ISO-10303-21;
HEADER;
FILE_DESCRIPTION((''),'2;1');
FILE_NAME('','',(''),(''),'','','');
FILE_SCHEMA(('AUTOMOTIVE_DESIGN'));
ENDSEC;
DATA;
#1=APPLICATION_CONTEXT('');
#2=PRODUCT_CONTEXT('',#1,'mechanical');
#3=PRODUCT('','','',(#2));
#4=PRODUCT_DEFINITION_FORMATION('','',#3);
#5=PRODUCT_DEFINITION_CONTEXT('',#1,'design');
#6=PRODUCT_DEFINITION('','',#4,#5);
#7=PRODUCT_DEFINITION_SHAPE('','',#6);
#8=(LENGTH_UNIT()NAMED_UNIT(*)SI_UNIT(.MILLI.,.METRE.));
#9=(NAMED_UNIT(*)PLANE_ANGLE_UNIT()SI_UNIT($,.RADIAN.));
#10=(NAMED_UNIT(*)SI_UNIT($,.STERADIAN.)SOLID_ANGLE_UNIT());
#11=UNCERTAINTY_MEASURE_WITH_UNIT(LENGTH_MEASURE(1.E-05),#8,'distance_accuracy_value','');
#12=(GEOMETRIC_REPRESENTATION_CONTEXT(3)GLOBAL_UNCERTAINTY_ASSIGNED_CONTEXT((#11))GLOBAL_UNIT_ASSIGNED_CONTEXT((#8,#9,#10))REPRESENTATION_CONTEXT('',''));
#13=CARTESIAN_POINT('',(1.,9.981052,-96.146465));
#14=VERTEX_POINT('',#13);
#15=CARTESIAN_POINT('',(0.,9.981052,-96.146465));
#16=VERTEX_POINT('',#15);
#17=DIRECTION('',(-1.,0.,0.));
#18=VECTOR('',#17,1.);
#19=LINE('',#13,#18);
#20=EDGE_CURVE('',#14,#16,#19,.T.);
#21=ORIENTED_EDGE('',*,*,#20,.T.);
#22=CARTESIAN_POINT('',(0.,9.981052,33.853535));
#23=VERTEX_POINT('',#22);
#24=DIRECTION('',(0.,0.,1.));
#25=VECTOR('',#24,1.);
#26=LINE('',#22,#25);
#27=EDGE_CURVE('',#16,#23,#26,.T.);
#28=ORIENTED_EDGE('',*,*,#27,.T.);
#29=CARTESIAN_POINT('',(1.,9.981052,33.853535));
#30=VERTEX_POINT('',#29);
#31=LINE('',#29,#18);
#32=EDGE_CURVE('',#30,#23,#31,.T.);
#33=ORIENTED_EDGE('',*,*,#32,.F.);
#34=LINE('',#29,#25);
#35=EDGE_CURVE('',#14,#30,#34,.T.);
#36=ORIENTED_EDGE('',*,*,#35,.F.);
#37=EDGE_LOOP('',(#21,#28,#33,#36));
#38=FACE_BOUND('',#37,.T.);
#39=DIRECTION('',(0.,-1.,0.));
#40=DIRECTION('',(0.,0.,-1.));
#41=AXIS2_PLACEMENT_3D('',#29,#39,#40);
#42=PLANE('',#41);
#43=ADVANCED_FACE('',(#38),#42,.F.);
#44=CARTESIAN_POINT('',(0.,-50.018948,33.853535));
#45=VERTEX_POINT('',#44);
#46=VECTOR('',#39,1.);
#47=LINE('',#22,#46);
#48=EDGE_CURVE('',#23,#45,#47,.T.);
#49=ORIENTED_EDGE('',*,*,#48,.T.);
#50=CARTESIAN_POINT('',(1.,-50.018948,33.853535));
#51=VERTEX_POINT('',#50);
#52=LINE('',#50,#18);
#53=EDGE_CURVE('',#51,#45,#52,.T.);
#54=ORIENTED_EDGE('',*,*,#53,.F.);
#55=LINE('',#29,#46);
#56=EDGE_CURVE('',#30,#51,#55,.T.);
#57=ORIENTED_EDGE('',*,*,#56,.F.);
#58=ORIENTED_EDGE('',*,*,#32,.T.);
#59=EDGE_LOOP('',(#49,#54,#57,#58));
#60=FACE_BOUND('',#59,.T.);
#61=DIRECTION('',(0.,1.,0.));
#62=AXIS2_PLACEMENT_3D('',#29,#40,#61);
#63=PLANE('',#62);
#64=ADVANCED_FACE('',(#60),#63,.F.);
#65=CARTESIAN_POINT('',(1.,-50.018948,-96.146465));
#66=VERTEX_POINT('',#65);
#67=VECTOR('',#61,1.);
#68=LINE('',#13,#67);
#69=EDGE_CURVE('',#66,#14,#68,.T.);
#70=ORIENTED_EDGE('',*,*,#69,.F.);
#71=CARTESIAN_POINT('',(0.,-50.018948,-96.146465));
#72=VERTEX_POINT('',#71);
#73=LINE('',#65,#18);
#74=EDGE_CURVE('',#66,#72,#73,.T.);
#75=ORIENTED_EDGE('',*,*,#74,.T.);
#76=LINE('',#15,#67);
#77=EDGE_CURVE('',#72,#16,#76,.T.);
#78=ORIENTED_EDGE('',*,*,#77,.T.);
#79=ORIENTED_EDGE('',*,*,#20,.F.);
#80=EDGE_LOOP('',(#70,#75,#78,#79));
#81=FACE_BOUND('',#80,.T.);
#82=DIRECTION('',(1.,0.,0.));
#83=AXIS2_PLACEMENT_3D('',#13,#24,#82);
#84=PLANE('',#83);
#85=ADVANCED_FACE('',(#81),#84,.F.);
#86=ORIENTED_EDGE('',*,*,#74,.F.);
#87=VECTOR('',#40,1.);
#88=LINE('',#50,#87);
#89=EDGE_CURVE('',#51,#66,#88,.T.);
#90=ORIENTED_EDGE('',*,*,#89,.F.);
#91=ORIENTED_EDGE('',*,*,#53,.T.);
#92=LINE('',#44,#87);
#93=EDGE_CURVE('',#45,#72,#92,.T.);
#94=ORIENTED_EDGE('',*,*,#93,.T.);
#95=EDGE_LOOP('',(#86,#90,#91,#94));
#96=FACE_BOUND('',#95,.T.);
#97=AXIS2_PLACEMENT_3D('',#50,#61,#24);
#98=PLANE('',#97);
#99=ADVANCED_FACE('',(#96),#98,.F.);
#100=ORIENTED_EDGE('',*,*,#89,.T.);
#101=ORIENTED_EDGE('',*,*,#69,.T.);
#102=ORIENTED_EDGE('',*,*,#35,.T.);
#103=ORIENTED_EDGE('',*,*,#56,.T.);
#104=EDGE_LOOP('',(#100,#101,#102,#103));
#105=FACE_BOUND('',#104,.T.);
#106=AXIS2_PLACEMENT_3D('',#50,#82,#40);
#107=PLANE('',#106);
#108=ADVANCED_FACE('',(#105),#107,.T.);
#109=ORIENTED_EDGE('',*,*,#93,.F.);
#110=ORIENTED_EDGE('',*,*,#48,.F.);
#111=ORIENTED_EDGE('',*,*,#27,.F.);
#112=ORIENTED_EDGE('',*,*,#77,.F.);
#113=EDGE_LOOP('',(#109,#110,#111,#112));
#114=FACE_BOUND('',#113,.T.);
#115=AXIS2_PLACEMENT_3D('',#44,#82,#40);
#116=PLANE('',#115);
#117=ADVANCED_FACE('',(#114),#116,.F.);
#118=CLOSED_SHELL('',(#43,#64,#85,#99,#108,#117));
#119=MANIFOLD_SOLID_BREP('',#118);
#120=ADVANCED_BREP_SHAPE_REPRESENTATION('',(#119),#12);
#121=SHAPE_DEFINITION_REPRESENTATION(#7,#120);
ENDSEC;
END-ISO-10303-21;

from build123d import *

# Parameters (mm, degrees)
SKETCH1_W           = 130
SKETCH1_H           = 60
BOSS_EXTRUDE1_DEPTH = 1


with BuildPart() as part:
    # Sketch1 → Boss-Extrude1 (new body)
    with BuildSketch(Plane(origin=(0, 0, 0), x_dir=(0, 0, -1), z_dir=(1, 0, 0))):
        with Locations((31.146465375, -20.01894847)):
            Rectangle(SKETCH1_W, SKETCH1_H)
    extrude(amount=BOSS_EXTRUDE1_DEPTH)


solid = part.part
